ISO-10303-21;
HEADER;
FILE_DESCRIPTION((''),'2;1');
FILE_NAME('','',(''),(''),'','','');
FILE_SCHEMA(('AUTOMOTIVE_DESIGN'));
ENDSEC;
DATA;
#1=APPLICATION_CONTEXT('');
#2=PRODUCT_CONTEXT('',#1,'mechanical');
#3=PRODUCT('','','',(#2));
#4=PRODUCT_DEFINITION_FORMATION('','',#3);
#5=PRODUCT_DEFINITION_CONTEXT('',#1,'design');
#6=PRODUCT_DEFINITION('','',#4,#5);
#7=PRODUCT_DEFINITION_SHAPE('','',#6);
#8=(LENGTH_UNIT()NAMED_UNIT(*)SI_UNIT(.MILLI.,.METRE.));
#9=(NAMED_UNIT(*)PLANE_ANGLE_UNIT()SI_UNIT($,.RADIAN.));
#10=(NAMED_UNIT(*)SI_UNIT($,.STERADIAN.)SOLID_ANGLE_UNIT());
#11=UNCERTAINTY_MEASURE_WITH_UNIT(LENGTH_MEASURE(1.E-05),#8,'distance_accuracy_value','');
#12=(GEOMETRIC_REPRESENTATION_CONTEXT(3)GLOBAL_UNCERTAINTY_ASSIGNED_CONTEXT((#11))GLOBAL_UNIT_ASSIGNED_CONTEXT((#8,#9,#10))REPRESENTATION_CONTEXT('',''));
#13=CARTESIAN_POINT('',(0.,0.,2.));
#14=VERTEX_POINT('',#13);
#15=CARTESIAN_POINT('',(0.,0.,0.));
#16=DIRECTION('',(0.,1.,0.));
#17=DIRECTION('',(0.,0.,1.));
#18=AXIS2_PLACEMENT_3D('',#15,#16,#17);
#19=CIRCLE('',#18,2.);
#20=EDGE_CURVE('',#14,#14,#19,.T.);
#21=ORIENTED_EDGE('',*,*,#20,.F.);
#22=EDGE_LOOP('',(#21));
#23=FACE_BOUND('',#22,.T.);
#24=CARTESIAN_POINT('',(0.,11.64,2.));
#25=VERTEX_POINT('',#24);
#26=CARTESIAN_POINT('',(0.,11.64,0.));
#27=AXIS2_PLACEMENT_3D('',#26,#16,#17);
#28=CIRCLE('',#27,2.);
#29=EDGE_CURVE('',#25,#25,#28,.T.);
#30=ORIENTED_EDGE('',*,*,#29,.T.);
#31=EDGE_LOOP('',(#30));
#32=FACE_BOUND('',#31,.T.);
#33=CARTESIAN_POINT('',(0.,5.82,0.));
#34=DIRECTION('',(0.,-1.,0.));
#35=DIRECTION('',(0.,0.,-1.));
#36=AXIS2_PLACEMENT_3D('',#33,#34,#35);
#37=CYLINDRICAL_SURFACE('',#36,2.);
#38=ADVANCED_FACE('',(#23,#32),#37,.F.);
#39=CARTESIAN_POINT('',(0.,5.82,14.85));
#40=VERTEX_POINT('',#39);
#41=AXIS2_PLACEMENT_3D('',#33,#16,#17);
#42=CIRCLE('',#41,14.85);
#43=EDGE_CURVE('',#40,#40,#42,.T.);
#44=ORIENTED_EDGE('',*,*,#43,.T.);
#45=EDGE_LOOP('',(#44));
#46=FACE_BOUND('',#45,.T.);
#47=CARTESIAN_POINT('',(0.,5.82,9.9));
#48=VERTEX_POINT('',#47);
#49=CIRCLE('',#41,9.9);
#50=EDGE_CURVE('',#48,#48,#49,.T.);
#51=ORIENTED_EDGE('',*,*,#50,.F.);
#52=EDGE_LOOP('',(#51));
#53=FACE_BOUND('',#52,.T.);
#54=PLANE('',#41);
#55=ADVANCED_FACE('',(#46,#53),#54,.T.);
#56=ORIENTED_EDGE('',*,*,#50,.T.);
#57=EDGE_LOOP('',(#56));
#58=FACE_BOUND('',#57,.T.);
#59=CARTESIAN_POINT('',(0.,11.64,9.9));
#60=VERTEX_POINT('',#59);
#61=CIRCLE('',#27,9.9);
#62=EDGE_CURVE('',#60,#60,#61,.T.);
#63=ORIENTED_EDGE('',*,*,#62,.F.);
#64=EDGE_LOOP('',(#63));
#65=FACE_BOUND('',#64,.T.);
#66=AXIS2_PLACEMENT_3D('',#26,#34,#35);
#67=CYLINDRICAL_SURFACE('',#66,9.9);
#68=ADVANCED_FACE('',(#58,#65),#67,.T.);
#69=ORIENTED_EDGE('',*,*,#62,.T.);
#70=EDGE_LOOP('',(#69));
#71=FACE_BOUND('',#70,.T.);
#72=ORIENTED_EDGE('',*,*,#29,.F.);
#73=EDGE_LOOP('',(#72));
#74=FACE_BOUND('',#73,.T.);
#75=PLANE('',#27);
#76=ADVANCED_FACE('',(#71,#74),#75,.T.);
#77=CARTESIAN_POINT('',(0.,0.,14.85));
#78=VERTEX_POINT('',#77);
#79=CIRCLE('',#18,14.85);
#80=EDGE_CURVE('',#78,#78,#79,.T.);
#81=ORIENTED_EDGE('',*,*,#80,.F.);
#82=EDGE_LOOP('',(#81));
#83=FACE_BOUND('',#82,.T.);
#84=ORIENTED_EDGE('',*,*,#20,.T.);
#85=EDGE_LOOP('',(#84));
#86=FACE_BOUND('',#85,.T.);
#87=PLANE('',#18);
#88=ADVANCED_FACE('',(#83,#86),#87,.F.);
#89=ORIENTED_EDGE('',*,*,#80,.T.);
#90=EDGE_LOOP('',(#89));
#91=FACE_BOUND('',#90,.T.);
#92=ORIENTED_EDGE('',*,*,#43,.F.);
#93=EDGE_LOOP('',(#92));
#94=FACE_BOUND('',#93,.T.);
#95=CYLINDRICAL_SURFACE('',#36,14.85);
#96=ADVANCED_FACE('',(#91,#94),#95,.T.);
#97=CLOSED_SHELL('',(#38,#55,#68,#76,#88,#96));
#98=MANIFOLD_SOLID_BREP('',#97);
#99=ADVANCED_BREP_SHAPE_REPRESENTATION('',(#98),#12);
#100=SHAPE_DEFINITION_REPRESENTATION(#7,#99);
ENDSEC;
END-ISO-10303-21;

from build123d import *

# Parameters (mm, degrees)
SKETCH1_R           = 14.85
SKETCH1_R_2         = 2
BOSS_EXTRUDE1_DEPTH = 5.82
SKETCH2_R           = 9.9
SKETCH2_R_2         = 2
BOSS_EXTRUDE2_DEPTH = 5.82


with BuildPart() as part:
    # Sketch1 → Boss-Extrude1 (new body)
    with BuildSketch(Plane(origin=(0, 0, 0), x_dir=(1, 0, 0), z_dir=(0, 1, 0))):
        with Locations(Location((0, 0, 0), (0, 0, 270))):
            Circle(SKETCH1_R)
        with Locations(Location((0, 0, 0), (0, 0, 270))):
            Circle(SKETCH1_R_2, mode=Mode.SUBTRACT)
    extrude(amount=BOSS_EXTRUDE1_DEPTH)

    # Sketch2 → Boss-Extrude2 (add)
    with BuildSketch(Plane(origin=(0, 5.82, 0), x_dir=(1, 0, 0), z_dir=(0, 1, 0))):
        with Locations(Location((0, 0, 0), (0, 0, 270))):
            Circle(SKETCH2_R)
        with Locations(Location((0, 0, 0), (0, 0, 270))):
            Circle(SKETCH2_R_2, mode=Mode.SUBTRACT)
    extrude(amount=BOSS_EXTRUDE2_DEPTH)


solid = part.part
